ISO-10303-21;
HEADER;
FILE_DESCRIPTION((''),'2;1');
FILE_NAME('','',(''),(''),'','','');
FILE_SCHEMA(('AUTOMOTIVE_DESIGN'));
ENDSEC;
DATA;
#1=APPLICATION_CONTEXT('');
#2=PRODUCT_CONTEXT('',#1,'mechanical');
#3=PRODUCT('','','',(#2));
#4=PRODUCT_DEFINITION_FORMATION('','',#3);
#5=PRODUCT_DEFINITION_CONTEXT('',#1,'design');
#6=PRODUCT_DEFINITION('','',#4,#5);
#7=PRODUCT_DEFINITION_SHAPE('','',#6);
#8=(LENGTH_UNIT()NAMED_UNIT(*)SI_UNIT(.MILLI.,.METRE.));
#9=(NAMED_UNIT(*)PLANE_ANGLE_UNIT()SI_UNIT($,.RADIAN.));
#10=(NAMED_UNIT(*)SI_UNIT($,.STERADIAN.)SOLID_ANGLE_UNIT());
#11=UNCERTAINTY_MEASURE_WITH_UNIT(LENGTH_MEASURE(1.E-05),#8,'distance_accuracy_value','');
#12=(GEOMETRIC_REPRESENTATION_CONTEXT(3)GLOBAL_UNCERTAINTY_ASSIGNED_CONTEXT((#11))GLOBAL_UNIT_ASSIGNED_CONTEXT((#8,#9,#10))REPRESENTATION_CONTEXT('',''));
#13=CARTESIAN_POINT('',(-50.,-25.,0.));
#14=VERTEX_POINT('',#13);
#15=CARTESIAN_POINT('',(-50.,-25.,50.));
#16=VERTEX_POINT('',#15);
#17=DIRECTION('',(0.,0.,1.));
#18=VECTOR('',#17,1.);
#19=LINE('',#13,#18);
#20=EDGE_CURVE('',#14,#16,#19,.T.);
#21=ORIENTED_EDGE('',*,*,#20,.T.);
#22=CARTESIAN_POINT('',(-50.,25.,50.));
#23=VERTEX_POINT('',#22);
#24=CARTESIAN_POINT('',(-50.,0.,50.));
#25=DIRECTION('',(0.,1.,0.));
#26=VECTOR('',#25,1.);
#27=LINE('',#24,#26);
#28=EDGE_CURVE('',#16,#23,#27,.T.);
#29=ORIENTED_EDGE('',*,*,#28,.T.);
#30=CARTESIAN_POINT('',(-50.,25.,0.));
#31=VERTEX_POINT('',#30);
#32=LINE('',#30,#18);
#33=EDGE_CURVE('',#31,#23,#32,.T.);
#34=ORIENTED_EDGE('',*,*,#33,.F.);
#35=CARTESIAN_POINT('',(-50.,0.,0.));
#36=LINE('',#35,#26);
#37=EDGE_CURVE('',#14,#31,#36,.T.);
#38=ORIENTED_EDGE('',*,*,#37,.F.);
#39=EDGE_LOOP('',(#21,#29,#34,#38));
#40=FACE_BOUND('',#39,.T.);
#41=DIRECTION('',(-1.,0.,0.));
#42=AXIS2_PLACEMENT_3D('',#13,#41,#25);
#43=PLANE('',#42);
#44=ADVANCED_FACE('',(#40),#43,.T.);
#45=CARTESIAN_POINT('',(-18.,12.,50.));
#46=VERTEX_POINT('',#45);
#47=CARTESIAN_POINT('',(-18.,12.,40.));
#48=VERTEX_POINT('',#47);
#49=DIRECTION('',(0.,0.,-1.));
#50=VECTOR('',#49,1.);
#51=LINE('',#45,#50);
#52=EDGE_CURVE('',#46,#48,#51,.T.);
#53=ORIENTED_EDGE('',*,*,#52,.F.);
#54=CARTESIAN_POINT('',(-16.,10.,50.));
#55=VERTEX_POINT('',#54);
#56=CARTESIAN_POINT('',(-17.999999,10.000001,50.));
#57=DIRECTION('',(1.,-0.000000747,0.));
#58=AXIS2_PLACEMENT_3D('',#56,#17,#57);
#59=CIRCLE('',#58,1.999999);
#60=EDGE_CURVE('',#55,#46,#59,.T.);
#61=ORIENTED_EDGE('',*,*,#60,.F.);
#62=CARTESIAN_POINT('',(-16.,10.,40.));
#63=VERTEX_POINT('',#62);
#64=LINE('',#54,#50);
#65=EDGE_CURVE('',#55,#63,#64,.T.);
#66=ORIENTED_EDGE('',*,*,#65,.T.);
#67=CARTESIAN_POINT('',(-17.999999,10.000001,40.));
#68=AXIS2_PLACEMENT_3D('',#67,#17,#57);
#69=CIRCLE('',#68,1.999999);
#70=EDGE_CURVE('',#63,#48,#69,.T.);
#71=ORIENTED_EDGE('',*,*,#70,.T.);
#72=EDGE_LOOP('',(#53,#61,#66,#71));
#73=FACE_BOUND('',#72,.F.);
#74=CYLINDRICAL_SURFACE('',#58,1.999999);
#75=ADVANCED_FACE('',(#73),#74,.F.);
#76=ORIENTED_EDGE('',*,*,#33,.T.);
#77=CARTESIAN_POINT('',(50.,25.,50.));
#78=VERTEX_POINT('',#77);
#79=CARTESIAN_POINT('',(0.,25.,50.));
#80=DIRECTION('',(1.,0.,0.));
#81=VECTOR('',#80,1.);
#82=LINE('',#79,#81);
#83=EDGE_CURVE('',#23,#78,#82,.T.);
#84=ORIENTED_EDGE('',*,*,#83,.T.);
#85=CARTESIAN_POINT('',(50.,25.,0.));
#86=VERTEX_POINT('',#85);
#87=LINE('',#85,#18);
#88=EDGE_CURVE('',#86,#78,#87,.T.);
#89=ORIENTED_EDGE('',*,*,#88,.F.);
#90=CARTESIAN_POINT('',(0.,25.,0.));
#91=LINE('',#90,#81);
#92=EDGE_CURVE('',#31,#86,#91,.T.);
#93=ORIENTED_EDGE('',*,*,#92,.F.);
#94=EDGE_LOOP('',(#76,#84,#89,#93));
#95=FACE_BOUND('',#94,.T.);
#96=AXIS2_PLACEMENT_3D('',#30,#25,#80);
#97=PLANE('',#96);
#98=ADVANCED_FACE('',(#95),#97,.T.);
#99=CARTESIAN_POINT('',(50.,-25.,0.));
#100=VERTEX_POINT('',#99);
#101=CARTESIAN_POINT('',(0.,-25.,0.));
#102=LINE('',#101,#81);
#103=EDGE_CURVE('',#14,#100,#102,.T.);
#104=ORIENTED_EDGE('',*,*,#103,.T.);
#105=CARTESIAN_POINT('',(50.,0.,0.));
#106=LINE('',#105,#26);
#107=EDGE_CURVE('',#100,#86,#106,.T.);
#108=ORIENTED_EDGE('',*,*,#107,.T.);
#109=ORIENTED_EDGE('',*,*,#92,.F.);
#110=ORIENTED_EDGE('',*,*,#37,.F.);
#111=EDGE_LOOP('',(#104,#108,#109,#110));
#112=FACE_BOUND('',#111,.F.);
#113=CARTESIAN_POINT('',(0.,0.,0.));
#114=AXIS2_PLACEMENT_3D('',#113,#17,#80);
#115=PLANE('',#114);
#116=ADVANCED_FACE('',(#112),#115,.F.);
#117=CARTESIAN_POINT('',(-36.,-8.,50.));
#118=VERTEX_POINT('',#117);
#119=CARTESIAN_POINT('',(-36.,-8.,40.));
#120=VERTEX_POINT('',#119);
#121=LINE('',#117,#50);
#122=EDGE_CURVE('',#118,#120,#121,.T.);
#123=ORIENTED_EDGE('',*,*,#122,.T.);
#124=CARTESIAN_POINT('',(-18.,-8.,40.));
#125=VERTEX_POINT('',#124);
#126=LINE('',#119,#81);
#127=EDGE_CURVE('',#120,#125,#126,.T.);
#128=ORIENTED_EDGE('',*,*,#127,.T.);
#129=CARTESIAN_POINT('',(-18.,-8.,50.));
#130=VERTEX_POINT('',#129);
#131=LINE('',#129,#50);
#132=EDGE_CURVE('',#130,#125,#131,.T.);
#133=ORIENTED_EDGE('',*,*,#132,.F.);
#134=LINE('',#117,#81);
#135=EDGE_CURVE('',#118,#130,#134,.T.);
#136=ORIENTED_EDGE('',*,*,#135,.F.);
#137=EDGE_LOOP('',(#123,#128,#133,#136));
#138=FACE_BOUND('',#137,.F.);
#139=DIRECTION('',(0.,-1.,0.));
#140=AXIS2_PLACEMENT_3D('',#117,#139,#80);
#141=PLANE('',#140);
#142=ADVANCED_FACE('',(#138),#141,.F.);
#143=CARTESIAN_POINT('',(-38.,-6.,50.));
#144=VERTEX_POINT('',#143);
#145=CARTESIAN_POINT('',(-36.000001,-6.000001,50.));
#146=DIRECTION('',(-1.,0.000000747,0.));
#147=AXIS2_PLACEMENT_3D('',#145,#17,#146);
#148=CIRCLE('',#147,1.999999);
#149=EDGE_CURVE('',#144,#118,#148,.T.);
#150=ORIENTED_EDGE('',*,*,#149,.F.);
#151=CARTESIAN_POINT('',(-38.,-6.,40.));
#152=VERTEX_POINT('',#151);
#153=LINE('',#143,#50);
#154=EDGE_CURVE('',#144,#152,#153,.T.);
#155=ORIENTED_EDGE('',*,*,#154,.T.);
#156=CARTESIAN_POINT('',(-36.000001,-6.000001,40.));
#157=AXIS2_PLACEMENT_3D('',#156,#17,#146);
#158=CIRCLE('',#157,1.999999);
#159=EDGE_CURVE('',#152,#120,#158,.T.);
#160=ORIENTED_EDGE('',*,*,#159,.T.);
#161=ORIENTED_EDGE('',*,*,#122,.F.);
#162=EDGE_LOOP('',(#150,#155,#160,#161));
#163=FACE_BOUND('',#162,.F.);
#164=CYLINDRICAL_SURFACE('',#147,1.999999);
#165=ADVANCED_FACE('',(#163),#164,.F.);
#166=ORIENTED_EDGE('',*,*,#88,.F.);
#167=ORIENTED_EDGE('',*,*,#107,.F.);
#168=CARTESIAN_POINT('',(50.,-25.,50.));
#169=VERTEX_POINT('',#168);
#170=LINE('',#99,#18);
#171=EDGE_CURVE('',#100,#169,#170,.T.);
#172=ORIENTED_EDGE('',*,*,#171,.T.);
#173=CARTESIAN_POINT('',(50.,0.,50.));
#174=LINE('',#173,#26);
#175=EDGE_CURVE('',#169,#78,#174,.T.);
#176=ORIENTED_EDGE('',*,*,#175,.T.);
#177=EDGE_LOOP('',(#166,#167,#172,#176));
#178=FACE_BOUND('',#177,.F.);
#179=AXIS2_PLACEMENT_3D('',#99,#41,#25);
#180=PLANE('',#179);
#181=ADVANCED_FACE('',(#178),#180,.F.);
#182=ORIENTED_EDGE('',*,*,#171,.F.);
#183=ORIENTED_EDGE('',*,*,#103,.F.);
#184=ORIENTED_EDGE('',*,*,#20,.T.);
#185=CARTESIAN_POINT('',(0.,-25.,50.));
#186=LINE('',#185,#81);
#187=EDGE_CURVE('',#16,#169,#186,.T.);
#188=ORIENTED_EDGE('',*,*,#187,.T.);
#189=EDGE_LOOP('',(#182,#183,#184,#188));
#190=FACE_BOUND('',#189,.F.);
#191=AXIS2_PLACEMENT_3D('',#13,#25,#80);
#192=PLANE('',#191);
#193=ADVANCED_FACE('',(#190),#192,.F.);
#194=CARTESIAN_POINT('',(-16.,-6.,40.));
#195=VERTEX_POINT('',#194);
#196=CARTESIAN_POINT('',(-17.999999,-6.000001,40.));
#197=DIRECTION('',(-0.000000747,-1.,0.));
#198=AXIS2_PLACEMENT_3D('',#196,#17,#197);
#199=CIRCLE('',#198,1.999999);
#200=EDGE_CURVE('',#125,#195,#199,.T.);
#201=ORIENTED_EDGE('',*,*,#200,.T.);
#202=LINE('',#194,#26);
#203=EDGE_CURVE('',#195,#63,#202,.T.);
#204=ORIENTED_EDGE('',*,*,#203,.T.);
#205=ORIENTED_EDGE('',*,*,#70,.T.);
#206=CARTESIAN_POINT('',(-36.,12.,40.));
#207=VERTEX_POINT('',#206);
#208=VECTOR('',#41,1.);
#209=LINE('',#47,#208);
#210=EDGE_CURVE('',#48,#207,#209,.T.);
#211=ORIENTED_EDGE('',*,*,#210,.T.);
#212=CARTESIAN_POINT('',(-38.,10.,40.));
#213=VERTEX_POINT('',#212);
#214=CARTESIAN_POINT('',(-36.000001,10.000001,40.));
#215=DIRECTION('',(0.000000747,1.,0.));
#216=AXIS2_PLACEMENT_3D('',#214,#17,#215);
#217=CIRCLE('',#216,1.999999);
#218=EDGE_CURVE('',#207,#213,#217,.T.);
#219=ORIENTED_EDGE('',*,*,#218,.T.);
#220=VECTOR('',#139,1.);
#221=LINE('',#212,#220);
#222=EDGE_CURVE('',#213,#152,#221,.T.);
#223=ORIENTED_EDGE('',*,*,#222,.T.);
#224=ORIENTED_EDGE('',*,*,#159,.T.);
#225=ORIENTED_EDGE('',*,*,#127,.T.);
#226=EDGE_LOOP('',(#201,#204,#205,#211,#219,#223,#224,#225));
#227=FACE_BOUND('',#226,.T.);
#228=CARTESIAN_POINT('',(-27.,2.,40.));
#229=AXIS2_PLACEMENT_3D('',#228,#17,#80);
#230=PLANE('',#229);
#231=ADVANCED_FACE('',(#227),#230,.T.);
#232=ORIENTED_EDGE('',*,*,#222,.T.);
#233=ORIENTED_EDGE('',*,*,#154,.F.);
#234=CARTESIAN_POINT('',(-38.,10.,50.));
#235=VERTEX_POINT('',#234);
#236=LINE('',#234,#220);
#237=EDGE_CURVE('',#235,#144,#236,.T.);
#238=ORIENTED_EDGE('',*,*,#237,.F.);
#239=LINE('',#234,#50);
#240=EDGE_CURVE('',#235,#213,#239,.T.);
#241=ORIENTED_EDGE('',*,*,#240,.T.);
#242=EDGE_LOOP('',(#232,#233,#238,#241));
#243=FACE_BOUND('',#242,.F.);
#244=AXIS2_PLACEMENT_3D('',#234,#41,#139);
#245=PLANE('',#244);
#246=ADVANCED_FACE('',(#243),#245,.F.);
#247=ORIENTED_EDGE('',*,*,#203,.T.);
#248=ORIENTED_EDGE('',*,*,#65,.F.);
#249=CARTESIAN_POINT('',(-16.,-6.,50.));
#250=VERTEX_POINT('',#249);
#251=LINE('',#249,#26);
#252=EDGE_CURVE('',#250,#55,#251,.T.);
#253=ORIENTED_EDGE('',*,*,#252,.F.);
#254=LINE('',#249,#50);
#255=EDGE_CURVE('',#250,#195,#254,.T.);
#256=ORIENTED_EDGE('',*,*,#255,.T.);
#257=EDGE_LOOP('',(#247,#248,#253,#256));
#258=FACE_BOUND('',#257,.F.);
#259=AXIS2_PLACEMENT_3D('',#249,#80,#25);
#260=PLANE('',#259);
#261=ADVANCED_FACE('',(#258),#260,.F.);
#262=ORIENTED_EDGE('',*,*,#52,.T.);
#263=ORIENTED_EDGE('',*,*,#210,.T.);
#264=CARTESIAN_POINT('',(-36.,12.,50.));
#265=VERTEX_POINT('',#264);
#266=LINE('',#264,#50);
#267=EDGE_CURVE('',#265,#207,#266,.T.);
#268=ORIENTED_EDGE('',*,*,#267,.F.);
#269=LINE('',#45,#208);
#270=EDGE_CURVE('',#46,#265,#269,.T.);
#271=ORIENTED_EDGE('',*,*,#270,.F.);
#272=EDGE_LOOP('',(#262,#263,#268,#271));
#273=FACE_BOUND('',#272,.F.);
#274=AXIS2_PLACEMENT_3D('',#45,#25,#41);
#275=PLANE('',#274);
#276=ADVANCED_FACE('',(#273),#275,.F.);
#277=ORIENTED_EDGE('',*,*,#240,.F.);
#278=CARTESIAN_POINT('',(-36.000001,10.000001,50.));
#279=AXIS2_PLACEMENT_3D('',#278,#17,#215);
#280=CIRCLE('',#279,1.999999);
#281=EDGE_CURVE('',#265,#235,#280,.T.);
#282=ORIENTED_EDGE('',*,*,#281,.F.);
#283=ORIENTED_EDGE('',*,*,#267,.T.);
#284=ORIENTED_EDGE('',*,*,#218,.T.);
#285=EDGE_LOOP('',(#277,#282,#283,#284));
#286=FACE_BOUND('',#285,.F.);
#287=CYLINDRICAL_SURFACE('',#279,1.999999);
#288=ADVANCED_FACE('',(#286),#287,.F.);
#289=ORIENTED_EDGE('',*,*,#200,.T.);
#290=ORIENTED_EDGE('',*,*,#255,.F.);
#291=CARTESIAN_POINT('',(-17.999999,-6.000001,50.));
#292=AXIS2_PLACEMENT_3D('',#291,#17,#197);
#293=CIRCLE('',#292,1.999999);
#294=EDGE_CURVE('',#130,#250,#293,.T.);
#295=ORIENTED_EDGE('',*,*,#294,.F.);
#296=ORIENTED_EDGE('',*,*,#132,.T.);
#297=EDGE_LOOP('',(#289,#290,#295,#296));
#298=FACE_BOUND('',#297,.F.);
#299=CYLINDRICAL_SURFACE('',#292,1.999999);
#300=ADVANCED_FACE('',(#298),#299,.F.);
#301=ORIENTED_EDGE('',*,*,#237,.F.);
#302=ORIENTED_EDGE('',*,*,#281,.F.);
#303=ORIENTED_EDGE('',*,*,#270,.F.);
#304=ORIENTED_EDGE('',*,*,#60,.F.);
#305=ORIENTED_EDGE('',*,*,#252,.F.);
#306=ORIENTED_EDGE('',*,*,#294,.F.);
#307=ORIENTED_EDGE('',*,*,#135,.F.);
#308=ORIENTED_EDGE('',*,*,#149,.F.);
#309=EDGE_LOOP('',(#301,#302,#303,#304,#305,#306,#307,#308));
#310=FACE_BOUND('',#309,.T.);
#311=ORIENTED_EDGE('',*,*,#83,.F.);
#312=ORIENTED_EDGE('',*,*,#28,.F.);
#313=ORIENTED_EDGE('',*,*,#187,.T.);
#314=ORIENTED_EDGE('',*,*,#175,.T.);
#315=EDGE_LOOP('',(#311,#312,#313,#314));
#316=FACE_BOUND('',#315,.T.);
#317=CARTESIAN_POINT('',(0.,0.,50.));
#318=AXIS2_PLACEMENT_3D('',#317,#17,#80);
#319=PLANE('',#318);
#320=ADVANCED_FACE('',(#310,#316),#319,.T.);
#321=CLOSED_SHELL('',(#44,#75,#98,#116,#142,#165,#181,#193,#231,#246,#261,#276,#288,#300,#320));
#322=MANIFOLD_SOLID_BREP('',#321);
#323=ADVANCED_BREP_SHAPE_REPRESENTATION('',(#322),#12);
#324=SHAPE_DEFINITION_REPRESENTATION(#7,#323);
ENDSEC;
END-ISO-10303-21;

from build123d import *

# Parameters (mm, degrees)
F0_W     = 100
F0_H     = 50
F1_DEPTH = 50
F3_DEPTH = 10


with BuildPart() as f1:
    # F0 (on Top) → F1 (new body)
    with BuildSketch(Plane.XY):
        Rectangle(F0_W, F0_H)
    extrude(amount=F1_DEPTH)

    # F2 (on face) → F3 (cut)
    with BuildSketch(Plane.XY.offset(50)):
        with BuildLine():
            Line((-18, 12), (-36, 12))
            ThreePointArc((-36, 12), (-37.414214, 11.414214), (-38, 10))
            Line((-38, 10), (-38, -6))
            ThreePointArc((-38, -6), (-37.414214, -7.414214), (-36, -8))
            Line((-36, -8), (-18, -8))
            ThreePointArc((-18, -8), (-16.585786, -7.414214), (-16, -6))
            Line((-16, -6), (-16, 10))
            ThreePointArc((-16, 10), (-16.585786, 11.414214), (-18, 12))
        make_face()
    extrude(amount=-F3_DEPTH, mode=Mode.SUBTRACT)


solid = f1.part
